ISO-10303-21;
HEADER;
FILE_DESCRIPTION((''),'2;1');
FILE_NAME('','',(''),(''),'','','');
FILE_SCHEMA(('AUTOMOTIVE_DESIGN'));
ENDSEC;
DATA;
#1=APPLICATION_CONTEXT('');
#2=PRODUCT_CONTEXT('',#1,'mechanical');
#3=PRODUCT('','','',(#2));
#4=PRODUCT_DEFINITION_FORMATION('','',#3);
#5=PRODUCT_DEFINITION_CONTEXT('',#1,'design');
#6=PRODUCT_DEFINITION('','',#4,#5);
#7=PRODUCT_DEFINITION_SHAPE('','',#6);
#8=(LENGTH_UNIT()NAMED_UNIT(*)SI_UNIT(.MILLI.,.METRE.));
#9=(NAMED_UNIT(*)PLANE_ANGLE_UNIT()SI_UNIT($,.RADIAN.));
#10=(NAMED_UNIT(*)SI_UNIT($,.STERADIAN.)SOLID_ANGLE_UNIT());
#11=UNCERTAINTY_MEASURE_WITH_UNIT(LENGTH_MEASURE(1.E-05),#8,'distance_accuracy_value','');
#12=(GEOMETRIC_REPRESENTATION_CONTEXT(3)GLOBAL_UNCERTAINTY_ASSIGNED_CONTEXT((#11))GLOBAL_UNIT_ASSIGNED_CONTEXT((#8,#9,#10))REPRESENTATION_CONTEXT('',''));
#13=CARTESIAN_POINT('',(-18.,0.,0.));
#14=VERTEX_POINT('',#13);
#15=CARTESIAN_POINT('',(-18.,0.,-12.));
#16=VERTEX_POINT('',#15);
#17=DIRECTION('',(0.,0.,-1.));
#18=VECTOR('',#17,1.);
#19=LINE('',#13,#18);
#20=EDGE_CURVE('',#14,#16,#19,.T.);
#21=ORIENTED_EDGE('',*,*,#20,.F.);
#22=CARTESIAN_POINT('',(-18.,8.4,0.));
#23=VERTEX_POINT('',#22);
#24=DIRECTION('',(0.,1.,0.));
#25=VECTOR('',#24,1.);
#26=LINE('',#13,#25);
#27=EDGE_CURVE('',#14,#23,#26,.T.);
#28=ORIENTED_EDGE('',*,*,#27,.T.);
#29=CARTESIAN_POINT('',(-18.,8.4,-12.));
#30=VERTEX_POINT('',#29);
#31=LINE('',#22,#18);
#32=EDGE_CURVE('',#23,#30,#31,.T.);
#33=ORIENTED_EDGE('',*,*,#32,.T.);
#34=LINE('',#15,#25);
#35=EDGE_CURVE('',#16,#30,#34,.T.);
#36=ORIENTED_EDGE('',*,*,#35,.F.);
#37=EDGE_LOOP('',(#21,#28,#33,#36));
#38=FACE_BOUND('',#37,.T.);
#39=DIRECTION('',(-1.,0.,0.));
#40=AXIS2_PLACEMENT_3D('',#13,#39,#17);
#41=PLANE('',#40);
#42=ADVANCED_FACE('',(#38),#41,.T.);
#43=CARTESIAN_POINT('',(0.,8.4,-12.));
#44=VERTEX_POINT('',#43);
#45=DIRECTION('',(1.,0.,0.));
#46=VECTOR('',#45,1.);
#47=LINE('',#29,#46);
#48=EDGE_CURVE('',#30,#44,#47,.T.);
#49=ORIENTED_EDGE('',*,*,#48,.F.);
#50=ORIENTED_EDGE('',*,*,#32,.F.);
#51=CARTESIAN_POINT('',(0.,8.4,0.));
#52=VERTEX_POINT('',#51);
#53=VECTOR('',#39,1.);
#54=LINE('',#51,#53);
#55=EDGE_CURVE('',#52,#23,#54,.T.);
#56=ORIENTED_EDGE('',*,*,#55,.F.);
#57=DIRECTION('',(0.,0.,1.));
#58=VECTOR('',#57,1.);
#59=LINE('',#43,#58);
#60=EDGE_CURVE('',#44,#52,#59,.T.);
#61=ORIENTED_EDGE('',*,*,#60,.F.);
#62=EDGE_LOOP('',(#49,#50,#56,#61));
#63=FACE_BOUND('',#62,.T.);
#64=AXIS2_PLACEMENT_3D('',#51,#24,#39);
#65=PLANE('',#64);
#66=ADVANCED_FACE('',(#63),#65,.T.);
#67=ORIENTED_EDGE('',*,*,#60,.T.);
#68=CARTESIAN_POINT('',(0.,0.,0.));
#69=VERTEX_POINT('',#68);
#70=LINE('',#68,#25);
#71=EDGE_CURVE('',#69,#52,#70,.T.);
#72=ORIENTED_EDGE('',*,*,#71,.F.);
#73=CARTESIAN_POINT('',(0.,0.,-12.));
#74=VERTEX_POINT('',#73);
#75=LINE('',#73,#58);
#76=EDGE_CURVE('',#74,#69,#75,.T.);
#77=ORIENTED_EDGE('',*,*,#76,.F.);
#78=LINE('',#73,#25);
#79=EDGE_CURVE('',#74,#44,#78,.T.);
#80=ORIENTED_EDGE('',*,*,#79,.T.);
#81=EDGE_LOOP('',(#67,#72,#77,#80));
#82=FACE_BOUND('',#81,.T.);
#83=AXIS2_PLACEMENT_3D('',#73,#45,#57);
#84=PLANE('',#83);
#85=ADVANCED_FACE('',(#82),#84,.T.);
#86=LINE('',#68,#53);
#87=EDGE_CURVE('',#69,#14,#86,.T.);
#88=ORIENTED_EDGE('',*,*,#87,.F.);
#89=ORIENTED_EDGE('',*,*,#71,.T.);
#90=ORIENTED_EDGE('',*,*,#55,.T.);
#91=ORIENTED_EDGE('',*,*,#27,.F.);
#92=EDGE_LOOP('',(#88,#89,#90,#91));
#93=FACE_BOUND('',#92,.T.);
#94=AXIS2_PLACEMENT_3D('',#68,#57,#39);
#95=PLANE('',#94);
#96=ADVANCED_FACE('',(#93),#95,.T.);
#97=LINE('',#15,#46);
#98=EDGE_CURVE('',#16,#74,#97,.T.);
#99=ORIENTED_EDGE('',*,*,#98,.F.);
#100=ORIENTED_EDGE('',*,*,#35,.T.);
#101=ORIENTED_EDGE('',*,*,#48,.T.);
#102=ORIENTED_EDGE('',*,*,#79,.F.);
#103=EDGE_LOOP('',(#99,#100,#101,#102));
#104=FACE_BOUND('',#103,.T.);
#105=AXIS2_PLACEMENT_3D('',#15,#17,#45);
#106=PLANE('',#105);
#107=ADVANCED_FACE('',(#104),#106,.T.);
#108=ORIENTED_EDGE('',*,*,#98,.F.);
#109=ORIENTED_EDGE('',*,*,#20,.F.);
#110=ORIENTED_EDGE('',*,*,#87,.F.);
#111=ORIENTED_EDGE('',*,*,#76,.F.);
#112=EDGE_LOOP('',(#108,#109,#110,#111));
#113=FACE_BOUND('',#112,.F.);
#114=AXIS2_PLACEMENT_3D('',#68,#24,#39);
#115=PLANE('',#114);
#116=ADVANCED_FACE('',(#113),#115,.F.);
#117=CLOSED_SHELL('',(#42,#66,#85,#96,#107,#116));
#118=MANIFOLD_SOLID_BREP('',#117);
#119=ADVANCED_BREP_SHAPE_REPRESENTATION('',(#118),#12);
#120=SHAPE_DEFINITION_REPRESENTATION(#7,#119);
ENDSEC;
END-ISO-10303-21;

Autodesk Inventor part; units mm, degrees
ref_plane "YZ Plane" through (0, 0, 0) normal (1, 0, 0) x (0, 1, 0)
ref_plane "XZ Plane" through (0, 0, 0) normal (0, 1, 0) x (-1, 0, 0)
ref_plane "XY Plane" through (0, 0, 0) normal (0, 0, 1) x (1, 0, 0)
sketch "Sketch1" plane through (0, 0, 0) normal (0, 1, 0) x (-1, 0, 0)
  line L0 (0, 0) -> (18, 0)
  line L1 (18, 0) -> (18, -12)
  line L2 (18, -12) -> (0, -12)
  line L3 (0, -12) -> (0, 0)
  dimension "d0" = 18
  dimension "d1" = 12
extrude "Extrusion1" add sketch "Sketch1" along normal blind 8.4
properties part number "shim_8.5mm"
